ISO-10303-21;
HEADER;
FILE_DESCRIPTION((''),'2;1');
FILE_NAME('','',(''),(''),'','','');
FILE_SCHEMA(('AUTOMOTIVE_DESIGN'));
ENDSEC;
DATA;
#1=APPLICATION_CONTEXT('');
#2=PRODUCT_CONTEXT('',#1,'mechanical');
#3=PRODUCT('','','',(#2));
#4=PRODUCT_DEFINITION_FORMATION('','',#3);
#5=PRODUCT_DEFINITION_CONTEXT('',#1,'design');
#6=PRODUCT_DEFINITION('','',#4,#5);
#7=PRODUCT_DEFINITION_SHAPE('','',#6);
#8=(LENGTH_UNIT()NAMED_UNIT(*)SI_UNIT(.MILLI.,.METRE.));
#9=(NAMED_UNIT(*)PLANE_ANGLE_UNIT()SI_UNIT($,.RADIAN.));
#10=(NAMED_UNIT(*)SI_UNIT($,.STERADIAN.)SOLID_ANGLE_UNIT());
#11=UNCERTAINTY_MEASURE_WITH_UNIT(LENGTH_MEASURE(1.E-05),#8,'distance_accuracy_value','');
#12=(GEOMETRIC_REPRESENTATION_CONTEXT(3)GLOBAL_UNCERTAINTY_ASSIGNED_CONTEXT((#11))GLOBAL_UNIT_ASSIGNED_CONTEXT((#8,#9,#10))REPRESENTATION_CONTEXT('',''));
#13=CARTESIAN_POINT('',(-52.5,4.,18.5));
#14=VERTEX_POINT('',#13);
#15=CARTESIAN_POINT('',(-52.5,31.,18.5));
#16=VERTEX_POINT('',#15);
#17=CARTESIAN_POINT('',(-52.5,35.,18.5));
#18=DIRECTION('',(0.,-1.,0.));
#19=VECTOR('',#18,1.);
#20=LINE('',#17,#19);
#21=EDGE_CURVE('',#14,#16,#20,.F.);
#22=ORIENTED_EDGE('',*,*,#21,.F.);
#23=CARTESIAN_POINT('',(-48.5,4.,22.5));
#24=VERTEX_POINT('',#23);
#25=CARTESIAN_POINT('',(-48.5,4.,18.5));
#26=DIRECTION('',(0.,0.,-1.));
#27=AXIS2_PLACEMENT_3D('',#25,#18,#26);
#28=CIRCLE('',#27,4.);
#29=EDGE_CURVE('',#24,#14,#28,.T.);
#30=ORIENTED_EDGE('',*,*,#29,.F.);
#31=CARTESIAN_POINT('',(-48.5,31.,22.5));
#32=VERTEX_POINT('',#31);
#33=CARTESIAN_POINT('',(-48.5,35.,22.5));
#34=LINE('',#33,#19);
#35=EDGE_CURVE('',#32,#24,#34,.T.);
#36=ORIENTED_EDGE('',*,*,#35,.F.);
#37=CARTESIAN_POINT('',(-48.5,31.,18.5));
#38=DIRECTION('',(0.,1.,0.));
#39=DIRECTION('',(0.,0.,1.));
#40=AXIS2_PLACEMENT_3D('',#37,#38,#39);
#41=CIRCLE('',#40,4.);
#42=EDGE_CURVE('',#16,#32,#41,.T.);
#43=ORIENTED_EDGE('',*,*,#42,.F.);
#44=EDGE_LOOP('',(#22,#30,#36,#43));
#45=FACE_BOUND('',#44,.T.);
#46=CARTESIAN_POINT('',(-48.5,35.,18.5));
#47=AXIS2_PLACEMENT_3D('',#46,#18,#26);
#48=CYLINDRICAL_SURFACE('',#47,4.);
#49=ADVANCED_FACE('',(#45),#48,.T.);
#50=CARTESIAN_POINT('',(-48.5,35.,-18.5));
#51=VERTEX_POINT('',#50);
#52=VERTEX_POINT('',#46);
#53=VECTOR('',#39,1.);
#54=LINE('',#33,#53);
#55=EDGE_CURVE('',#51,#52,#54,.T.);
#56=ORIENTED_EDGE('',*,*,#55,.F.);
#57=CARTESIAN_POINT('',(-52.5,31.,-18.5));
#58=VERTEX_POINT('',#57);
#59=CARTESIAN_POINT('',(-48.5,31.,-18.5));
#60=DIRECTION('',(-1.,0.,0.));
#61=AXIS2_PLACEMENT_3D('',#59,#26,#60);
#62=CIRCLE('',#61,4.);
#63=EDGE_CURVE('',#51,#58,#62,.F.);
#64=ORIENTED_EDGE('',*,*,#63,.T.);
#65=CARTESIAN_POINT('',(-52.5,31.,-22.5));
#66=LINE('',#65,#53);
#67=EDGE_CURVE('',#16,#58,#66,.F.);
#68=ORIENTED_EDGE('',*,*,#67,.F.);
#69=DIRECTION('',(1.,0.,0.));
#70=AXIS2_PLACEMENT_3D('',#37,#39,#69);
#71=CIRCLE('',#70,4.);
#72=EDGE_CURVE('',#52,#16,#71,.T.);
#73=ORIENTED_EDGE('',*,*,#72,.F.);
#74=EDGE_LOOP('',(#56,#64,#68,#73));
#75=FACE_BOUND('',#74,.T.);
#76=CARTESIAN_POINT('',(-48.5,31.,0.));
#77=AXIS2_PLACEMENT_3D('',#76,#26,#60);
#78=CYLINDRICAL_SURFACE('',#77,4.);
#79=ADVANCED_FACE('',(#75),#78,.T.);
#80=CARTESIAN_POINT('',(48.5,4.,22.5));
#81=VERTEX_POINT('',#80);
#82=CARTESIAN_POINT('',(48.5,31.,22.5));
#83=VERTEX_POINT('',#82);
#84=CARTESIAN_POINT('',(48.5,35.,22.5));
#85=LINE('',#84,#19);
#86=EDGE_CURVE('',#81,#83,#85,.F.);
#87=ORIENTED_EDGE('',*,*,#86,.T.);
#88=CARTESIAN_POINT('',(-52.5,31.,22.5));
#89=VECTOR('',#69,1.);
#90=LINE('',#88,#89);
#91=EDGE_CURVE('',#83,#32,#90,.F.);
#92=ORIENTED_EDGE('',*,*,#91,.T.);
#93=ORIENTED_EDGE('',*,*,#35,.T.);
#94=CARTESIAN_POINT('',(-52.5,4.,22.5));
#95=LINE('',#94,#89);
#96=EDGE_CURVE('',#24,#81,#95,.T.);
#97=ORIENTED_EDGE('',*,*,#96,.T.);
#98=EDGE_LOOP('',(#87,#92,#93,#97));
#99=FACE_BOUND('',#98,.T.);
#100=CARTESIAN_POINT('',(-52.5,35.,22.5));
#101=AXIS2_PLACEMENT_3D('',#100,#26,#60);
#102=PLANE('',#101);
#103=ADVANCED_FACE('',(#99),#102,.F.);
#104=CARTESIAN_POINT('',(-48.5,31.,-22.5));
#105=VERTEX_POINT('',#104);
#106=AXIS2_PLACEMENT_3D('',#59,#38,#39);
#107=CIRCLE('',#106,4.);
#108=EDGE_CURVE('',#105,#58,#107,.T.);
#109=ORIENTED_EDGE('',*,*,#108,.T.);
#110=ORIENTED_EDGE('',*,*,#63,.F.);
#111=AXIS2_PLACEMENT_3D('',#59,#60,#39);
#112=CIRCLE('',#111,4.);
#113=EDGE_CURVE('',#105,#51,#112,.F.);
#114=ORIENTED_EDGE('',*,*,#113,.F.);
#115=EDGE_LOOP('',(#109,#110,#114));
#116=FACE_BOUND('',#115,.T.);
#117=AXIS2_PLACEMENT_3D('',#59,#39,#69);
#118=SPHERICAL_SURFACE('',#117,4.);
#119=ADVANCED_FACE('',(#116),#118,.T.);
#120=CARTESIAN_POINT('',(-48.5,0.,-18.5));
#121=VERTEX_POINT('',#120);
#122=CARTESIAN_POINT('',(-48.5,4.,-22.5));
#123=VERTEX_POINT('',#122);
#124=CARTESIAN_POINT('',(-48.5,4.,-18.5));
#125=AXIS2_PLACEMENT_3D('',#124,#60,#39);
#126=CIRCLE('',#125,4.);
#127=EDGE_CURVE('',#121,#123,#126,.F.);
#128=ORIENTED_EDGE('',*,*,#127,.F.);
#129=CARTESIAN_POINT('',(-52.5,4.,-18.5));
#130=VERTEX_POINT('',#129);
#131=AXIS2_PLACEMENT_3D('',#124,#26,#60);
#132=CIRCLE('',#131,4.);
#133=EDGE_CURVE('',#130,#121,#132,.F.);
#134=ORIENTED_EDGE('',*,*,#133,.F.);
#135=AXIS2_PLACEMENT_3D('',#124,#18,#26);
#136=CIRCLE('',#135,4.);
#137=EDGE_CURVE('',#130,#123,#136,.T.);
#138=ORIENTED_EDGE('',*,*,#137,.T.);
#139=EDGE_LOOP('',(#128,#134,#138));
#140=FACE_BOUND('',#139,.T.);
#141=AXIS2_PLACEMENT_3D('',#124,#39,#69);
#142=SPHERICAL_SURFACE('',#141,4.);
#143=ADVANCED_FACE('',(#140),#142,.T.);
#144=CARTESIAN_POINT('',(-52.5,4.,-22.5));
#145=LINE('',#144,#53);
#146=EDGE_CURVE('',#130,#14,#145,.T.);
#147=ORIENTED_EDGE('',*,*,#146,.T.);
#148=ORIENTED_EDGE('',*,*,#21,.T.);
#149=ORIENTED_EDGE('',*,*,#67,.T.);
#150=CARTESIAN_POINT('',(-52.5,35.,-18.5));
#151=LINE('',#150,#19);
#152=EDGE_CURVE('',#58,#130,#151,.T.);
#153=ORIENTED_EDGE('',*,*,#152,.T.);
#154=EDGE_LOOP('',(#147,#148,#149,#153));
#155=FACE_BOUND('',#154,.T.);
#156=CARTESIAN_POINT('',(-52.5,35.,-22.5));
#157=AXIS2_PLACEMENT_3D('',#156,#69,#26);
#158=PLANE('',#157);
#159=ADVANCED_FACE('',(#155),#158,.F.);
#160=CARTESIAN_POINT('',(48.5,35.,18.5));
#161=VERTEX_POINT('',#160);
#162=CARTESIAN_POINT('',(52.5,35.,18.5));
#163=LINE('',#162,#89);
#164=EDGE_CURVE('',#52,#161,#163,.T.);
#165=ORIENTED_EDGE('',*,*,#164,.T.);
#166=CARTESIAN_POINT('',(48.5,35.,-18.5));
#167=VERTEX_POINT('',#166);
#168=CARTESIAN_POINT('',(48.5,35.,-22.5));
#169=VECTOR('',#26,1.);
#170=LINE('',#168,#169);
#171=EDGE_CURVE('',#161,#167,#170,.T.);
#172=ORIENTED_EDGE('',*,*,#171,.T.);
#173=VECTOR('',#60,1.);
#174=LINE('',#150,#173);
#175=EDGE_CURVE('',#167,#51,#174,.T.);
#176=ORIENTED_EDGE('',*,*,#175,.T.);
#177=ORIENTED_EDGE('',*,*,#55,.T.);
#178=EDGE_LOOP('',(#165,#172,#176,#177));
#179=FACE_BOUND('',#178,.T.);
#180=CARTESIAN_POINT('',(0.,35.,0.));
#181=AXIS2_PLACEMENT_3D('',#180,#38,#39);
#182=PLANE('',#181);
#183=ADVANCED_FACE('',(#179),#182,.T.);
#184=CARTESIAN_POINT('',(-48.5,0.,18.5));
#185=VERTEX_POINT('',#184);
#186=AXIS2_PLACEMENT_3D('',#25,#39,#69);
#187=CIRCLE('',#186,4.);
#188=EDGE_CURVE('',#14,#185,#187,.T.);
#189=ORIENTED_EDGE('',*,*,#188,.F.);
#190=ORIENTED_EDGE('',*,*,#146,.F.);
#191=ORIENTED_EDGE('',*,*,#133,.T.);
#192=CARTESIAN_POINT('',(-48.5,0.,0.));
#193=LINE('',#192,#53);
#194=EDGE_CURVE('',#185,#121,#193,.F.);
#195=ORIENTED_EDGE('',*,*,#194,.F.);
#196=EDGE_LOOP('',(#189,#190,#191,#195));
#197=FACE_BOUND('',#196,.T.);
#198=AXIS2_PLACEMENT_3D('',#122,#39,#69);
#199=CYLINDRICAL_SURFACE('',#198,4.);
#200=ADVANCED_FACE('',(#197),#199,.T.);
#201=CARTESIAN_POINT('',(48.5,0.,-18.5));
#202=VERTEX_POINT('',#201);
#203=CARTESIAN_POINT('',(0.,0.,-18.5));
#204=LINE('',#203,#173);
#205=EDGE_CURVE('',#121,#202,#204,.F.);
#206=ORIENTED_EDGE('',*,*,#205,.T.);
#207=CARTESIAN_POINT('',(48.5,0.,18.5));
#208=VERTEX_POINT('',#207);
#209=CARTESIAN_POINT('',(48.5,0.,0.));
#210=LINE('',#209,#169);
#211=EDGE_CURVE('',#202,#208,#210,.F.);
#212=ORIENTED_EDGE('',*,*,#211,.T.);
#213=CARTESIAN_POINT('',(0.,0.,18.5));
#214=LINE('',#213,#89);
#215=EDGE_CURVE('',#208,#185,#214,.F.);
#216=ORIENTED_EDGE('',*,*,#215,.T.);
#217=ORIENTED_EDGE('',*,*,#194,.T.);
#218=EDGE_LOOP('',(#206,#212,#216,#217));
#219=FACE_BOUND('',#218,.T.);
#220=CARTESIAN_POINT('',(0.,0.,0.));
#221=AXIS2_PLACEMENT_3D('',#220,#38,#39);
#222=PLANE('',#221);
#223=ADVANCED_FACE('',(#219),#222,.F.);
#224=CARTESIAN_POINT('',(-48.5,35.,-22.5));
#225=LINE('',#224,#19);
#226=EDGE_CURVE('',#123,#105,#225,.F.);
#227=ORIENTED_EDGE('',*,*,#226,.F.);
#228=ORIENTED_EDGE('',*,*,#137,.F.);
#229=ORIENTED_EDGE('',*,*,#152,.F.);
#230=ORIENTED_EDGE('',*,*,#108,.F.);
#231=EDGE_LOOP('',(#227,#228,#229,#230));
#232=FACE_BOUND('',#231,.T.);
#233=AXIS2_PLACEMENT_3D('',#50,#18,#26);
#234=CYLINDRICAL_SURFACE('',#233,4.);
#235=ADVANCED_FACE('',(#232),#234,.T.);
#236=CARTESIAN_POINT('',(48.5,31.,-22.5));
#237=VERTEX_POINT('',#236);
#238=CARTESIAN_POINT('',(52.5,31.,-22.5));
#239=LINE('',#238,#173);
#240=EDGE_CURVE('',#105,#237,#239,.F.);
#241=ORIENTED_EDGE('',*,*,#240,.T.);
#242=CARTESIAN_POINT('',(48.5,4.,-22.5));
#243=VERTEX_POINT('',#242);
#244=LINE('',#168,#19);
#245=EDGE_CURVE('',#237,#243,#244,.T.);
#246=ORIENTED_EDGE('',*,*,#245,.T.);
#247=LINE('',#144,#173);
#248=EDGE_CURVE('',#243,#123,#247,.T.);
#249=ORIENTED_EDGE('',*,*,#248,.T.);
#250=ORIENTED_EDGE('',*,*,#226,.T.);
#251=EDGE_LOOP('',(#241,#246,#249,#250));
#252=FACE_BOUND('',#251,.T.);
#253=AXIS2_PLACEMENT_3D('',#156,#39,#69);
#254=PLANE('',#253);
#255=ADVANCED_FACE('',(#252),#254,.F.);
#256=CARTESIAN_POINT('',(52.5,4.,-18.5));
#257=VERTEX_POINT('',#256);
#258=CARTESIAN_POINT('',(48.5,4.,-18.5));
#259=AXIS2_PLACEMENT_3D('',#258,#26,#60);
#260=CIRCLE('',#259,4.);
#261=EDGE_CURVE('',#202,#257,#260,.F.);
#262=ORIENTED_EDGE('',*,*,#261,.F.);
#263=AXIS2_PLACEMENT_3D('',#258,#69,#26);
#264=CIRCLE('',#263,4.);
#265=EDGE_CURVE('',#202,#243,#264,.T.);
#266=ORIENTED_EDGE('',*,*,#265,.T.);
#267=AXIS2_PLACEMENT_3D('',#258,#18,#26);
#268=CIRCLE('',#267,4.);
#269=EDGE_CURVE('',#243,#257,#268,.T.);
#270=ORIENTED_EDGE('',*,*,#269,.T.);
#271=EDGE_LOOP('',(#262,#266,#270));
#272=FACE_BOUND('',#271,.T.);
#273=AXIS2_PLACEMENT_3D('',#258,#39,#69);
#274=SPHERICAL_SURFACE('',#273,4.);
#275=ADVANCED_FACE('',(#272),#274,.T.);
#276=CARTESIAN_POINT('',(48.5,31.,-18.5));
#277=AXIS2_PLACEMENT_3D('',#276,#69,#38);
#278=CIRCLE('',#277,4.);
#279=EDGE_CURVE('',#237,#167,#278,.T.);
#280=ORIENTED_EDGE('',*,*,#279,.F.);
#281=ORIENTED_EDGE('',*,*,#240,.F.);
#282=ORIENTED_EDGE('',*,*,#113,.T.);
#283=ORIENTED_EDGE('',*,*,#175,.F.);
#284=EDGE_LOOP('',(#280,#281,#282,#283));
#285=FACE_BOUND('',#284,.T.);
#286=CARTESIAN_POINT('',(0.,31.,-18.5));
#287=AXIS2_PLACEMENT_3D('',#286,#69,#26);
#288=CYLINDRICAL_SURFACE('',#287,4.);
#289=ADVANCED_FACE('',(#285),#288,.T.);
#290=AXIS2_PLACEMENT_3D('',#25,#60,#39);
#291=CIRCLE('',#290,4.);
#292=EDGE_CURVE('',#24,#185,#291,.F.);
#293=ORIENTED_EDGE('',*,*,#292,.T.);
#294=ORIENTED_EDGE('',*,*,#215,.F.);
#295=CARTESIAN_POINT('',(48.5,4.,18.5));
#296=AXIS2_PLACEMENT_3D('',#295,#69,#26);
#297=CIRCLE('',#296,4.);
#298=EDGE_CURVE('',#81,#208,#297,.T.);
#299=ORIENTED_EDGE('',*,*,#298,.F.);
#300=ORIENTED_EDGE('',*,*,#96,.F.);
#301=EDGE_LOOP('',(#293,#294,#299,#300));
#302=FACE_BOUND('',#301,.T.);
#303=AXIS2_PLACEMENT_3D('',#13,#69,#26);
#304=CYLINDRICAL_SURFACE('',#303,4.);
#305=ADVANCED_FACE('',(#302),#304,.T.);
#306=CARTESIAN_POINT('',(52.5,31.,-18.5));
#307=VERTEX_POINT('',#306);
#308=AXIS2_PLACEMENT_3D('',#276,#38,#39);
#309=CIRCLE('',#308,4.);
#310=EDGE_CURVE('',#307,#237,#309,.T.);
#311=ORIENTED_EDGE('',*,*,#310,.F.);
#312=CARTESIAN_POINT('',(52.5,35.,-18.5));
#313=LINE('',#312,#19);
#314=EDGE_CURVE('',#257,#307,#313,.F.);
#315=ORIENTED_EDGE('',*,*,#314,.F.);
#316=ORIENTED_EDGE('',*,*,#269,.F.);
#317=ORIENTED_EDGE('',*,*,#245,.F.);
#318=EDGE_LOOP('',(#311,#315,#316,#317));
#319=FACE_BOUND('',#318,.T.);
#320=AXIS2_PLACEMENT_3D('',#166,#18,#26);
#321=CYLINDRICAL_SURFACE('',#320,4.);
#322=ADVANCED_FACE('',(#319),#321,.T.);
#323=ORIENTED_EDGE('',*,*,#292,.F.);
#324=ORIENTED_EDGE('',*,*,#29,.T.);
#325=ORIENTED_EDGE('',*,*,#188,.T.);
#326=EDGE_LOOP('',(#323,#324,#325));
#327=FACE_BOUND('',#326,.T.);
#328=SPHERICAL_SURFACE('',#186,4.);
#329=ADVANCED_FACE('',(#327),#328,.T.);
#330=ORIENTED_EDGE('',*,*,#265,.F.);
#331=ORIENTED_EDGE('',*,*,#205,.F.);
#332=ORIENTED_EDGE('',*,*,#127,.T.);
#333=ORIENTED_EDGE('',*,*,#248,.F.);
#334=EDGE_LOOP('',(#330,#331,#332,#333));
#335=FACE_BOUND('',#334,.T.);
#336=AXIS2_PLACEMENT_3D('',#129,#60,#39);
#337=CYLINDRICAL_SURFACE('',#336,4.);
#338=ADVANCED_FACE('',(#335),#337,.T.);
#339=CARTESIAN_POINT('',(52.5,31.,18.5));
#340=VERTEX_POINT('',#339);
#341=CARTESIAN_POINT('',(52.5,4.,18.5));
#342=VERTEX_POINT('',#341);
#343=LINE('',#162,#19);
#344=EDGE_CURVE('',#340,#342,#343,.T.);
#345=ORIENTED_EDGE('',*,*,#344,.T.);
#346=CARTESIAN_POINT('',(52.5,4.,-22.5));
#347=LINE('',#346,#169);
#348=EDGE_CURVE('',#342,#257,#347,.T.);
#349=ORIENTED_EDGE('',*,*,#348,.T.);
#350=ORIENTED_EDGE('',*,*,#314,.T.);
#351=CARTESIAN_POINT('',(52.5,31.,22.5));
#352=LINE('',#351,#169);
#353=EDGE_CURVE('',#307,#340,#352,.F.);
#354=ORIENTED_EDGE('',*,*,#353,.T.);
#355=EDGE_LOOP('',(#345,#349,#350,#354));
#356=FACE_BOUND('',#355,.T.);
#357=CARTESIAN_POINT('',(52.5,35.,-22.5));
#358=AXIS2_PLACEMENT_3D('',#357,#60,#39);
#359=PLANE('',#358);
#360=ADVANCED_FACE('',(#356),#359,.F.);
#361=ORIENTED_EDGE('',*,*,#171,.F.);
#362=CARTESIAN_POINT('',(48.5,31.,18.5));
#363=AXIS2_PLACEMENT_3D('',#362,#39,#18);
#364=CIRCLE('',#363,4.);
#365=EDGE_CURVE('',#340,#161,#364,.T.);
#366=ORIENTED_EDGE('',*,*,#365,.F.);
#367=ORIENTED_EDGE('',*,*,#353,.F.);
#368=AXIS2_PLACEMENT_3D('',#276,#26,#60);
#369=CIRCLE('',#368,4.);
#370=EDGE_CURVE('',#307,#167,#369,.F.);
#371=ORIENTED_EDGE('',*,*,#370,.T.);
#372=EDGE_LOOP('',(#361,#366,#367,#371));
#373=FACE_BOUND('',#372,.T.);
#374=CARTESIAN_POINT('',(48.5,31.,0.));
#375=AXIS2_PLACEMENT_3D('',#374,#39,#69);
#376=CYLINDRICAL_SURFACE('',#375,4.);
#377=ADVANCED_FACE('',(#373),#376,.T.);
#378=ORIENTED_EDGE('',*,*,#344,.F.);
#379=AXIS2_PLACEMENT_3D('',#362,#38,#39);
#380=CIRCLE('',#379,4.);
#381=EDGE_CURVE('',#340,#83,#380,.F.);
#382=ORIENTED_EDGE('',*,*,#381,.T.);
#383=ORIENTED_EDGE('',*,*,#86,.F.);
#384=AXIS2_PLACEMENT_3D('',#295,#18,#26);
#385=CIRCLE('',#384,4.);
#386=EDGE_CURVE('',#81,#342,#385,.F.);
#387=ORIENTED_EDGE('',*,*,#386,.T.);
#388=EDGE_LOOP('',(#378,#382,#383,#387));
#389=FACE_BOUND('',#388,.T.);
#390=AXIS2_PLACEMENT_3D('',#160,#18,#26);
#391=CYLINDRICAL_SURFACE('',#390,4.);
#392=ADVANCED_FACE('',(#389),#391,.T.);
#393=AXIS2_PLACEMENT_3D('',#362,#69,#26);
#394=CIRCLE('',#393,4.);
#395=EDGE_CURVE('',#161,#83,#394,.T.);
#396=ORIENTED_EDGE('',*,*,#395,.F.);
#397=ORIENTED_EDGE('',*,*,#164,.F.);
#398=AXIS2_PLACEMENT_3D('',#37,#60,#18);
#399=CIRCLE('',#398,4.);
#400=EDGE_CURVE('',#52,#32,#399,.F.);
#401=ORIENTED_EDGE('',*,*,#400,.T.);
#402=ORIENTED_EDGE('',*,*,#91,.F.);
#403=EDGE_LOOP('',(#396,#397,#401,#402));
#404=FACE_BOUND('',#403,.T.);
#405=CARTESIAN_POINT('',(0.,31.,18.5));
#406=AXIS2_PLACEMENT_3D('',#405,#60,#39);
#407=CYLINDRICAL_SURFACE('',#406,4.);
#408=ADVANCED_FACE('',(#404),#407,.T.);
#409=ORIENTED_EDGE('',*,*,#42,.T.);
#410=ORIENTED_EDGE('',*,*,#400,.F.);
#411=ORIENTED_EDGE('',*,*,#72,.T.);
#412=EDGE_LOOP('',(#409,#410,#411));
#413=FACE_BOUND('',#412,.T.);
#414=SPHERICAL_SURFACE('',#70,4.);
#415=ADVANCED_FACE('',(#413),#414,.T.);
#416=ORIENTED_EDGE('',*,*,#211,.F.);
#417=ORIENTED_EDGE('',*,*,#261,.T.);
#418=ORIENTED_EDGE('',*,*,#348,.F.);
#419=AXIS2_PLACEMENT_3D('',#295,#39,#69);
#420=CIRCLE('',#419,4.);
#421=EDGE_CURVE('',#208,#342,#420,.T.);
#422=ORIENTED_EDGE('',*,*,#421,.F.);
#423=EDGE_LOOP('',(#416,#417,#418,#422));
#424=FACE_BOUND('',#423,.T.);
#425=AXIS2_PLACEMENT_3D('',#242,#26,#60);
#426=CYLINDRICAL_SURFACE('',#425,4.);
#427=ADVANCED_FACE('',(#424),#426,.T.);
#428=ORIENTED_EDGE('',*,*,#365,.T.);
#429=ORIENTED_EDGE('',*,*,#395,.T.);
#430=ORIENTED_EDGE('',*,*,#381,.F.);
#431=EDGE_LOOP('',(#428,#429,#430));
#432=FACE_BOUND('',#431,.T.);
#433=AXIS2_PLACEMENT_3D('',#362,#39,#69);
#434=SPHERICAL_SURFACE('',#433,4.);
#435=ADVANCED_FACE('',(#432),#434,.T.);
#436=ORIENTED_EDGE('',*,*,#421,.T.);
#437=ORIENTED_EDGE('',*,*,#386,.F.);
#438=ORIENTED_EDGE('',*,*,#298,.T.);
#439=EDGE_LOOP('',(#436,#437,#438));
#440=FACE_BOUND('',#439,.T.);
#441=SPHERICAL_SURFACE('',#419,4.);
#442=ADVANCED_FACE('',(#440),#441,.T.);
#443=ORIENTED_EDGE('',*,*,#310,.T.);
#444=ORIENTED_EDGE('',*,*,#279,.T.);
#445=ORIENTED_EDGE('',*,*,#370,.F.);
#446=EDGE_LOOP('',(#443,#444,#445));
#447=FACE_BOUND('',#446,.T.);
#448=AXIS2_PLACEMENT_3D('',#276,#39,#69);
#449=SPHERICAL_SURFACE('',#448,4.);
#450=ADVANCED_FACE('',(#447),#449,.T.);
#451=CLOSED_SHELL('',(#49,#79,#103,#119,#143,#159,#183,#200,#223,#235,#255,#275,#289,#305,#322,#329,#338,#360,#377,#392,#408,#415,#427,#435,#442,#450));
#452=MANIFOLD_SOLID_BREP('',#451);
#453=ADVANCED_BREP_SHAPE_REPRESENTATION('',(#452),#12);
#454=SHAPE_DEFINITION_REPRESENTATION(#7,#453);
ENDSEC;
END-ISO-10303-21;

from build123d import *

# Parameters (mm, degrees)
SKETCH1_W           = 105
SKETCH1_H           = 45
BOSS_EXTRUDE1_DEPTH = 35
FILLET1_R           = 4


with BuildPart() as part:
    # Sketch1 → Boss-Extrude1 (new body)
    with BuildSketch(Plane(origin=(0, 0, 0), x_dir=(1, 0, 0), z_dir=(0, 1, 0))):
        Rectangle(SKETCH1_W, SKETCH1_H)
    extrude(amount=BOSS_EXTRUDE1_DEPTH)

    # Fillet1
    fillet1_edges = [part.edges().sort_by_distance(p)[0] for p in [
        (-52.5, 35, 0),
        (0, 35, 22.5),
        (52.5, 35, 0),
        (0, 0, 22.5),
        (-52.5, 0, 0),
        (0, 0, -22.5),
        (52.5, 0, 0),
        (0, 35, -22.5),
        (52.5, 17.5, 22.5),
        (-52.5, 17.5, 22.5),
        (-52.5, 17.5, -22.5),
        (52.5, 17.5, -22.5),
    ]]
    fillet(fillet1_edges, radius=FILLET1_R)


solid = part.part
